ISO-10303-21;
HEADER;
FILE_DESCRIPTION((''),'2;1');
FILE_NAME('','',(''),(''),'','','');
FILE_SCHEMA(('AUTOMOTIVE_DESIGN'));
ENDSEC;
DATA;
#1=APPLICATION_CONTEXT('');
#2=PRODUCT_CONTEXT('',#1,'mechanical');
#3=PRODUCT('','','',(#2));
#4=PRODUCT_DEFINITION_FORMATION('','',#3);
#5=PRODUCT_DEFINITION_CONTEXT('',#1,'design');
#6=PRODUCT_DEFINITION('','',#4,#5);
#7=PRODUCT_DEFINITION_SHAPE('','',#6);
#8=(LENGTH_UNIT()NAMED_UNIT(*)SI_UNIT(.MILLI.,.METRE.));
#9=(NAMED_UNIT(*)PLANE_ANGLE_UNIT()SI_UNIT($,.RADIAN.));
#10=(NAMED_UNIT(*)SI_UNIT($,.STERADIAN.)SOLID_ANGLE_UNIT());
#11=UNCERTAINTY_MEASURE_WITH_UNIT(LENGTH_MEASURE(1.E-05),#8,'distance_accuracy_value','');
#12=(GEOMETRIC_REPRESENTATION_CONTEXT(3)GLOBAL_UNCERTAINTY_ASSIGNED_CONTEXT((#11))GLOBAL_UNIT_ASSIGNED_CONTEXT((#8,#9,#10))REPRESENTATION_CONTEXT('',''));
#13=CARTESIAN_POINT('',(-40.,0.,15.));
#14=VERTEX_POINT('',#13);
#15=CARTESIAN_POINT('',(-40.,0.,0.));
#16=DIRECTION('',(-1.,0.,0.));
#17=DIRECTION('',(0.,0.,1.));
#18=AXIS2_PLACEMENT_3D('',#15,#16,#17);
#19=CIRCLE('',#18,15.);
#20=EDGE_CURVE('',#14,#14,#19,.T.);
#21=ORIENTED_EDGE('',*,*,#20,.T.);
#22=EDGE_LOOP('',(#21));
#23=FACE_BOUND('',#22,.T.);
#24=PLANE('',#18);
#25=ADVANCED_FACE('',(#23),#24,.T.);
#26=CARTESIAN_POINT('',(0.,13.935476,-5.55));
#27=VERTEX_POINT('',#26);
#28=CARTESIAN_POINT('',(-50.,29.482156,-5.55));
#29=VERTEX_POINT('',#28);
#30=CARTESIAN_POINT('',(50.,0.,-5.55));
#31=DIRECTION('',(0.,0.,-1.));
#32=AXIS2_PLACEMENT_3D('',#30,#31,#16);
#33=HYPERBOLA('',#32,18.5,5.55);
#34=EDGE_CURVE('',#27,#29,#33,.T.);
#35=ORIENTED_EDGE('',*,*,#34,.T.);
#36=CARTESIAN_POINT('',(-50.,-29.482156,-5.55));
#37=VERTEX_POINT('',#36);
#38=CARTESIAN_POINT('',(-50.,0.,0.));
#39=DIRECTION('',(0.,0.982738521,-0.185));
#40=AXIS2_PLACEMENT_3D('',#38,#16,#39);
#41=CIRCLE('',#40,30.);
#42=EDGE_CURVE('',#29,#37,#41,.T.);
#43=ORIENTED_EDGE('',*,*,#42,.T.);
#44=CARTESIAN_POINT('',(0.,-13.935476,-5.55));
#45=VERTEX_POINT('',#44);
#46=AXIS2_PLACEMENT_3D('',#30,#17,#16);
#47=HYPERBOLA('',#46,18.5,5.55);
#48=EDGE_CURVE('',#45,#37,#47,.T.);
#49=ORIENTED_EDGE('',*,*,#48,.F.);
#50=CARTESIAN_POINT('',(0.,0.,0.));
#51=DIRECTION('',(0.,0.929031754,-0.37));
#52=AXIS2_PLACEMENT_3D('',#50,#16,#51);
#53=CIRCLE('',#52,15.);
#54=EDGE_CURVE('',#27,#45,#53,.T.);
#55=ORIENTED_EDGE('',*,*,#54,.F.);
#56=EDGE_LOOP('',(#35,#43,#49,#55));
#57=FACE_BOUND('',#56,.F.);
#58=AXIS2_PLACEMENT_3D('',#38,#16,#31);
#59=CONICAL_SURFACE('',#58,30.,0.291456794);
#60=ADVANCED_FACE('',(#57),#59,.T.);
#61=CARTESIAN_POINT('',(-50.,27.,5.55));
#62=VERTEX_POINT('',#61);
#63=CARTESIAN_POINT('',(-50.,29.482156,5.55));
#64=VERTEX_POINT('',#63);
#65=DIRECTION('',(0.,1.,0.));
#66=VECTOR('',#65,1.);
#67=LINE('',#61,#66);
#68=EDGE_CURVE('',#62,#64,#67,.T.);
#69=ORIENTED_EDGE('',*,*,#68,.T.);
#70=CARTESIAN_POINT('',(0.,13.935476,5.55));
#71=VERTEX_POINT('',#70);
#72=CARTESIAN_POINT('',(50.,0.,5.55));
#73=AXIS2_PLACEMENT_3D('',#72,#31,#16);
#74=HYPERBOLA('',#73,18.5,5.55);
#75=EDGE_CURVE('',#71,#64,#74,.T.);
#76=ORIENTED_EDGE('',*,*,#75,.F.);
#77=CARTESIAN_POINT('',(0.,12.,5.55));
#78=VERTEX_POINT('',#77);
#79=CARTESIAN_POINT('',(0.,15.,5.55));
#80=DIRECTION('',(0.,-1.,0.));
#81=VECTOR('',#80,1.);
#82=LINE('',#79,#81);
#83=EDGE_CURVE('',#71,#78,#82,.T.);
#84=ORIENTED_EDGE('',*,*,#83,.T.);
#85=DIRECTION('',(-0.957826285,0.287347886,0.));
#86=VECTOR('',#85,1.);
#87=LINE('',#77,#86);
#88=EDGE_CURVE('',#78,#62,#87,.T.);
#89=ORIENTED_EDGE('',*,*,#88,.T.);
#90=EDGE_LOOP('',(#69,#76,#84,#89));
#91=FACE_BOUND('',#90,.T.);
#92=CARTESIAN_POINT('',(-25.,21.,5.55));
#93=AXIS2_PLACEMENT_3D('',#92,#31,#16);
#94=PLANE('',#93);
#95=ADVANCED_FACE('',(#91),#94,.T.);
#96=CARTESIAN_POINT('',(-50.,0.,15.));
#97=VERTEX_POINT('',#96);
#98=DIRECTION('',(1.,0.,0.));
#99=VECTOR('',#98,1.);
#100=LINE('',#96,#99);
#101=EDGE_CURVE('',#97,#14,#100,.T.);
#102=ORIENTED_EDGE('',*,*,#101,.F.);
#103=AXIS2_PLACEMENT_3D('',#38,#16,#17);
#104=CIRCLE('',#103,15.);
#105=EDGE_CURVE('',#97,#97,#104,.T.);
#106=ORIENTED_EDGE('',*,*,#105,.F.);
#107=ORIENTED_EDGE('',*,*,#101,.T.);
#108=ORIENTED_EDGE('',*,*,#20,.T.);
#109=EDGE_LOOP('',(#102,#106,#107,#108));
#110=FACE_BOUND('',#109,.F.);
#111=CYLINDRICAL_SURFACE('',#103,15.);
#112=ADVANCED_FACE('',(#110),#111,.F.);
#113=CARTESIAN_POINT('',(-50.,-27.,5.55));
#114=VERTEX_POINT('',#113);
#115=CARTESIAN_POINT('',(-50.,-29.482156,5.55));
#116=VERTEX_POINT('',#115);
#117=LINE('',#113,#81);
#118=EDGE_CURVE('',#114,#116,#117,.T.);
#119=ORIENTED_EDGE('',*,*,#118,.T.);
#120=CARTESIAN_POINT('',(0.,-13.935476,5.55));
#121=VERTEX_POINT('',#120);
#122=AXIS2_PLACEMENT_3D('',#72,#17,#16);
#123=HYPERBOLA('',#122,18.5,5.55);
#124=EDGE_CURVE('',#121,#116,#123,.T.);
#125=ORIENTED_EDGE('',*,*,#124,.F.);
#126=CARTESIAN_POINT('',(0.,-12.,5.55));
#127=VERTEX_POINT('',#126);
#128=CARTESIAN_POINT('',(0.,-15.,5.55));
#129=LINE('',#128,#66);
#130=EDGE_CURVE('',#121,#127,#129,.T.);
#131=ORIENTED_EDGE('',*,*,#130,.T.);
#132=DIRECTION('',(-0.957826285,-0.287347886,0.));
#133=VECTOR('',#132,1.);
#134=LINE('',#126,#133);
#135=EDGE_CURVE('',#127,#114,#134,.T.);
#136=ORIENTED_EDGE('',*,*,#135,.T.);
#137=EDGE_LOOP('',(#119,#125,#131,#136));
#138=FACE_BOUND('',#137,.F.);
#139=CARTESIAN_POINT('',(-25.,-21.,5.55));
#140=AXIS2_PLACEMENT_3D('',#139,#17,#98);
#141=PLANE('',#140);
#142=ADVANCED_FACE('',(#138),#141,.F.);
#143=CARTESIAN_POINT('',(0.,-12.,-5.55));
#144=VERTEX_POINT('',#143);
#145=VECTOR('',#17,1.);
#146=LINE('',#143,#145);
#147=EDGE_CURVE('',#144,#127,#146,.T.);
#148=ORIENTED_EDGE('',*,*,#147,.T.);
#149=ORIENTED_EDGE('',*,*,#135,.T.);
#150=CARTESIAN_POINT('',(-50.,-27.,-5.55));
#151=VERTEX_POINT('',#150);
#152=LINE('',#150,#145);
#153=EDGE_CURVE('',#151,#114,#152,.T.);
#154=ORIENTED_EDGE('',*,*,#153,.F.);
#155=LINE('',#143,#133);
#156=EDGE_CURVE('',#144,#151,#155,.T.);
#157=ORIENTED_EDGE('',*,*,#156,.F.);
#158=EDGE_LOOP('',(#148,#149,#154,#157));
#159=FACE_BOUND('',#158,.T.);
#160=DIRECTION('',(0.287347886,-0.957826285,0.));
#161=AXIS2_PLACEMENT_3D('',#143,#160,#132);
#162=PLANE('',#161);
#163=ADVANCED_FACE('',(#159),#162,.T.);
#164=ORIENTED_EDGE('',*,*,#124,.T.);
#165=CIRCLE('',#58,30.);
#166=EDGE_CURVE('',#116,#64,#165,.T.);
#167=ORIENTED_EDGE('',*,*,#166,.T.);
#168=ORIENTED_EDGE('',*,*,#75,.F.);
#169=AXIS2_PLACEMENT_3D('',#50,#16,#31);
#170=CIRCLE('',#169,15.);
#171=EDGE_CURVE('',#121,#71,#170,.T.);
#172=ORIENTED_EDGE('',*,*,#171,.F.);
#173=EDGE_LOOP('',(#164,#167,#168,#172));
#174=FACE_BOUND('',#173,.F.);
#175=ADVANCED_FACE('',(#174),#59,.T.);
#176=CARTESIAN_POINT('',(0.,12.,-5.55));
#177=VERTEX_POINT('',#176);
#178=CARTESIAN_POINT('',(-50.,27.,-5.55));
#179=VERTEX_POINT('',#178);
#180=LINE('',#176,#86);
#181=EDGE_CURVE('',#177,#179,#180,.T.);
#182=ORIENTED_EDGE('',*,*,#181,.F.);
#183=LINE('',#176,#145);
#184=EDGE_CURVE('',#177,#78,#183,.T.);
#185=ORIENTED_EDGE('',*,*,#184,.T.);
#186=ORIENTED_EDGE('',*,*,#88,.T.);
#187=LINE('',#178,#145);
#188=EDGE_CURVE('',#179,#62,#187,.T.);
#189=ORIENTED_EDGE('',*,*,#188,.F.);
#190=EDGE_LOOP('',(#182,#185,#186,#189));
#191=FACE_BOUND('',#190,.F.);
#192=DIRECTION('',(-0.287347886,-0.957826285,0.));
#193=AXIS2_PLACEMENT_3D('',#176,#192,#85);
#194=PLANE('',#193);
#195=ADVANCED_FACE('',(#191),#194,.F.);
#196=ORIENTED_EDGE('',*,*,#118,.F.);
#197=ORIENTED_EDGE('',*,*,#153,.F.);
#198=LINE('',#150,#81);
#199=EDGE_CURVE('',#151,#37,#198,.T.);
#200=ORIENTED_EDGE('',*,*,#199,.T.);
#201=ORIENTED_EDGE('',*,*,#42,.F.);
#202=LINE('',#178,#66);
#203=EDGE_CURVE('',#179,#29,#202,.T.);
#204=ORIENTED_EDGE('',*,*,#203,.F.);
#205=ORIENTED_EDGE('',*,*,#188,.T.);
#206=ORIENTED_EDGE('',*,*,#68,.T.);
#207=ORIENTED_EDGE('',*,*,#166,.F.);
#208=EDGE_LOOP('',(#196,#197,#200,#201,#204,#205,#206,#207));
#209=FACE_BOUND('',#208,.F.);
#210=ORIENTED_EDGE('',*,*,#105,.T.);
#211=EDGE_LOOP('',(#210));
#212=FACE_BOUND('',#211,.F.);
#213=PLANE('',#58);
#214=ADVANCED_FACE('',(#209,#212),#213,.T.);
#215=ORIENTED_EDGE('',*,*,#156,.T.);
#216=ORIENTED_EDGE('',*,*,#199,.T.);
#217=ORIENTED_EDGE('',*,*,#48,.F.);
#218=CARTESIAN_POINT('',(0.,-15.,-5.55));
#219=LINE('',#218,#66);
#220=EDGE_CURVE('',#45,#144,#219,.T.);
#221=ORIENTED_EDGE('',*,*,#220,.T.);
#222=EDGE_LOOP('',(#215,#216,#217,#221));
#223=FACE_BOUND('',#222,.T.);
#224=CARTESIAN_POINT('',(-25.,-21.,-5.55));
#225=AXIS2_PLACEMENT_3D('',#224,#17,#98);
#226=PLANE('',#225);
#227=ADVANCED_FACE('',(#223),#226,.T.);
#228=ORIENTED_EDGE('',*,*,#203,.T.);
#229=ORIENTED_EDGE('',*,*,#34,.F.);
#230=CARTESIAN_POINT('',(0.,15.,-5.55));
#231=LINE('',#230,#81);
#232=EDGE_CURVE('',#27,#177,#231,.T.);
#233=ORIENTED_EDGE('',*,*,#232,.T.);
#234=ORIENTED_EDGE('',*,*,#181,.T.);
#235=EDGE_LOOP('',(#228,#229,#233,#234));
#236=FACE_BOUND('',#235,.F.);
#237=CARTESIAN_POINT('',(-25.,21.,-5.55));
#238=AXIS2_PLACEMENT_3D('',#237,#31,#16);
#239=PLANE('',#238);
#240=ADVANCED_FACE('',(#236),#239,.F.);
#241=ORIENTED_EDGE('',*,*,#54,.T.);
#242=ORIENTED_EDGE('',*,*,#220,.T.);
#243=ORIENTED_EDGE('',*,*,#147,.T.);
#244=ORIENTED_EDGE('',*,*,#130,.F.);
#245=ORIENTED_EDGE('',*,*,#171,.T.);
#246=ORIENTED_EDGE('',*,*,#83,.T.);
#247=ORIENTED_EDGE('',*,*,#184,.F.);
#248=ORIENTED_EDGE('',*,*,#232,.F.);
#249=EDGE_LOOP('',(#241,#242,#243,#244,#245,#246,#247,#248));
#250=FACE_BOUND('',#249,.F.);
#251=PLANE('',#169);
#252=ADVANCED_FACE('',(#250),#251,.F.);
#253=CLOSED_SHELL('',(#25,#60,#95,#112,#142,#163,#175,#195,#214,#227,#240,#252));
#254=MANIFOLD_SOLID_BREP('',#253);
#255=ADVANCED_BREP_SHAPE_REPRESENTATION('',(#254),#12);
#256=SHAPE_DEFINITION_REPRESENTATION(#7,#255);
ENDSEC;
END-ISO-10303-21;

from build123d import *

# Parameters (mm, degrees)
SKETCH2_R               = 15
CUT_EXTRUDE1_DEPTH      = 10
CUT_EXTRUDE2_DEPTH      = 5.55
CUT_EXTRUDE2_DEPTH_BACK = 5.55


with BuildPart() as part:
    # Sketch1 → Revolve1 (revolve)
    with BuildSketch(Plane.XY):
        Polygon((0, 0), (-50, 0), (-50, 30), (0, 15), align=None)
    revolve(axis=Axis((0, 0, 0), (-1, 0, 0)))

    # Sketch2 → Cut-Extrude1 (cut)
    with BuildSketch(Plane.ZY.offset(50)):
        Circle(SKETCH2_R)
    extrude(amount=-CUT_EXTRUDE1_DEPTH, mode=Mode.SUBTRACT)

    # Sketch4 → Cut-Extrude2 (cut, two sides: drawn at the far end of the back side and taken through both)
    with BuildSketch(Plane.XY.offset(-CUT_EXTRUDE2_DEPTH_BACK)):
        Polygon((0, 15), (0, 12), (-50, 27), (-50, 30), align=None)
        Polygon((0, -15), (0, -12), (-50, -27), (-50, -30), align=None)
    extrude(amount=CUT_EXTRUDE2_DEPTH + CUT_EXTRUDE2_DEPTH_BACK, mode=Mode.SUBTRACT)


solid = part.part
